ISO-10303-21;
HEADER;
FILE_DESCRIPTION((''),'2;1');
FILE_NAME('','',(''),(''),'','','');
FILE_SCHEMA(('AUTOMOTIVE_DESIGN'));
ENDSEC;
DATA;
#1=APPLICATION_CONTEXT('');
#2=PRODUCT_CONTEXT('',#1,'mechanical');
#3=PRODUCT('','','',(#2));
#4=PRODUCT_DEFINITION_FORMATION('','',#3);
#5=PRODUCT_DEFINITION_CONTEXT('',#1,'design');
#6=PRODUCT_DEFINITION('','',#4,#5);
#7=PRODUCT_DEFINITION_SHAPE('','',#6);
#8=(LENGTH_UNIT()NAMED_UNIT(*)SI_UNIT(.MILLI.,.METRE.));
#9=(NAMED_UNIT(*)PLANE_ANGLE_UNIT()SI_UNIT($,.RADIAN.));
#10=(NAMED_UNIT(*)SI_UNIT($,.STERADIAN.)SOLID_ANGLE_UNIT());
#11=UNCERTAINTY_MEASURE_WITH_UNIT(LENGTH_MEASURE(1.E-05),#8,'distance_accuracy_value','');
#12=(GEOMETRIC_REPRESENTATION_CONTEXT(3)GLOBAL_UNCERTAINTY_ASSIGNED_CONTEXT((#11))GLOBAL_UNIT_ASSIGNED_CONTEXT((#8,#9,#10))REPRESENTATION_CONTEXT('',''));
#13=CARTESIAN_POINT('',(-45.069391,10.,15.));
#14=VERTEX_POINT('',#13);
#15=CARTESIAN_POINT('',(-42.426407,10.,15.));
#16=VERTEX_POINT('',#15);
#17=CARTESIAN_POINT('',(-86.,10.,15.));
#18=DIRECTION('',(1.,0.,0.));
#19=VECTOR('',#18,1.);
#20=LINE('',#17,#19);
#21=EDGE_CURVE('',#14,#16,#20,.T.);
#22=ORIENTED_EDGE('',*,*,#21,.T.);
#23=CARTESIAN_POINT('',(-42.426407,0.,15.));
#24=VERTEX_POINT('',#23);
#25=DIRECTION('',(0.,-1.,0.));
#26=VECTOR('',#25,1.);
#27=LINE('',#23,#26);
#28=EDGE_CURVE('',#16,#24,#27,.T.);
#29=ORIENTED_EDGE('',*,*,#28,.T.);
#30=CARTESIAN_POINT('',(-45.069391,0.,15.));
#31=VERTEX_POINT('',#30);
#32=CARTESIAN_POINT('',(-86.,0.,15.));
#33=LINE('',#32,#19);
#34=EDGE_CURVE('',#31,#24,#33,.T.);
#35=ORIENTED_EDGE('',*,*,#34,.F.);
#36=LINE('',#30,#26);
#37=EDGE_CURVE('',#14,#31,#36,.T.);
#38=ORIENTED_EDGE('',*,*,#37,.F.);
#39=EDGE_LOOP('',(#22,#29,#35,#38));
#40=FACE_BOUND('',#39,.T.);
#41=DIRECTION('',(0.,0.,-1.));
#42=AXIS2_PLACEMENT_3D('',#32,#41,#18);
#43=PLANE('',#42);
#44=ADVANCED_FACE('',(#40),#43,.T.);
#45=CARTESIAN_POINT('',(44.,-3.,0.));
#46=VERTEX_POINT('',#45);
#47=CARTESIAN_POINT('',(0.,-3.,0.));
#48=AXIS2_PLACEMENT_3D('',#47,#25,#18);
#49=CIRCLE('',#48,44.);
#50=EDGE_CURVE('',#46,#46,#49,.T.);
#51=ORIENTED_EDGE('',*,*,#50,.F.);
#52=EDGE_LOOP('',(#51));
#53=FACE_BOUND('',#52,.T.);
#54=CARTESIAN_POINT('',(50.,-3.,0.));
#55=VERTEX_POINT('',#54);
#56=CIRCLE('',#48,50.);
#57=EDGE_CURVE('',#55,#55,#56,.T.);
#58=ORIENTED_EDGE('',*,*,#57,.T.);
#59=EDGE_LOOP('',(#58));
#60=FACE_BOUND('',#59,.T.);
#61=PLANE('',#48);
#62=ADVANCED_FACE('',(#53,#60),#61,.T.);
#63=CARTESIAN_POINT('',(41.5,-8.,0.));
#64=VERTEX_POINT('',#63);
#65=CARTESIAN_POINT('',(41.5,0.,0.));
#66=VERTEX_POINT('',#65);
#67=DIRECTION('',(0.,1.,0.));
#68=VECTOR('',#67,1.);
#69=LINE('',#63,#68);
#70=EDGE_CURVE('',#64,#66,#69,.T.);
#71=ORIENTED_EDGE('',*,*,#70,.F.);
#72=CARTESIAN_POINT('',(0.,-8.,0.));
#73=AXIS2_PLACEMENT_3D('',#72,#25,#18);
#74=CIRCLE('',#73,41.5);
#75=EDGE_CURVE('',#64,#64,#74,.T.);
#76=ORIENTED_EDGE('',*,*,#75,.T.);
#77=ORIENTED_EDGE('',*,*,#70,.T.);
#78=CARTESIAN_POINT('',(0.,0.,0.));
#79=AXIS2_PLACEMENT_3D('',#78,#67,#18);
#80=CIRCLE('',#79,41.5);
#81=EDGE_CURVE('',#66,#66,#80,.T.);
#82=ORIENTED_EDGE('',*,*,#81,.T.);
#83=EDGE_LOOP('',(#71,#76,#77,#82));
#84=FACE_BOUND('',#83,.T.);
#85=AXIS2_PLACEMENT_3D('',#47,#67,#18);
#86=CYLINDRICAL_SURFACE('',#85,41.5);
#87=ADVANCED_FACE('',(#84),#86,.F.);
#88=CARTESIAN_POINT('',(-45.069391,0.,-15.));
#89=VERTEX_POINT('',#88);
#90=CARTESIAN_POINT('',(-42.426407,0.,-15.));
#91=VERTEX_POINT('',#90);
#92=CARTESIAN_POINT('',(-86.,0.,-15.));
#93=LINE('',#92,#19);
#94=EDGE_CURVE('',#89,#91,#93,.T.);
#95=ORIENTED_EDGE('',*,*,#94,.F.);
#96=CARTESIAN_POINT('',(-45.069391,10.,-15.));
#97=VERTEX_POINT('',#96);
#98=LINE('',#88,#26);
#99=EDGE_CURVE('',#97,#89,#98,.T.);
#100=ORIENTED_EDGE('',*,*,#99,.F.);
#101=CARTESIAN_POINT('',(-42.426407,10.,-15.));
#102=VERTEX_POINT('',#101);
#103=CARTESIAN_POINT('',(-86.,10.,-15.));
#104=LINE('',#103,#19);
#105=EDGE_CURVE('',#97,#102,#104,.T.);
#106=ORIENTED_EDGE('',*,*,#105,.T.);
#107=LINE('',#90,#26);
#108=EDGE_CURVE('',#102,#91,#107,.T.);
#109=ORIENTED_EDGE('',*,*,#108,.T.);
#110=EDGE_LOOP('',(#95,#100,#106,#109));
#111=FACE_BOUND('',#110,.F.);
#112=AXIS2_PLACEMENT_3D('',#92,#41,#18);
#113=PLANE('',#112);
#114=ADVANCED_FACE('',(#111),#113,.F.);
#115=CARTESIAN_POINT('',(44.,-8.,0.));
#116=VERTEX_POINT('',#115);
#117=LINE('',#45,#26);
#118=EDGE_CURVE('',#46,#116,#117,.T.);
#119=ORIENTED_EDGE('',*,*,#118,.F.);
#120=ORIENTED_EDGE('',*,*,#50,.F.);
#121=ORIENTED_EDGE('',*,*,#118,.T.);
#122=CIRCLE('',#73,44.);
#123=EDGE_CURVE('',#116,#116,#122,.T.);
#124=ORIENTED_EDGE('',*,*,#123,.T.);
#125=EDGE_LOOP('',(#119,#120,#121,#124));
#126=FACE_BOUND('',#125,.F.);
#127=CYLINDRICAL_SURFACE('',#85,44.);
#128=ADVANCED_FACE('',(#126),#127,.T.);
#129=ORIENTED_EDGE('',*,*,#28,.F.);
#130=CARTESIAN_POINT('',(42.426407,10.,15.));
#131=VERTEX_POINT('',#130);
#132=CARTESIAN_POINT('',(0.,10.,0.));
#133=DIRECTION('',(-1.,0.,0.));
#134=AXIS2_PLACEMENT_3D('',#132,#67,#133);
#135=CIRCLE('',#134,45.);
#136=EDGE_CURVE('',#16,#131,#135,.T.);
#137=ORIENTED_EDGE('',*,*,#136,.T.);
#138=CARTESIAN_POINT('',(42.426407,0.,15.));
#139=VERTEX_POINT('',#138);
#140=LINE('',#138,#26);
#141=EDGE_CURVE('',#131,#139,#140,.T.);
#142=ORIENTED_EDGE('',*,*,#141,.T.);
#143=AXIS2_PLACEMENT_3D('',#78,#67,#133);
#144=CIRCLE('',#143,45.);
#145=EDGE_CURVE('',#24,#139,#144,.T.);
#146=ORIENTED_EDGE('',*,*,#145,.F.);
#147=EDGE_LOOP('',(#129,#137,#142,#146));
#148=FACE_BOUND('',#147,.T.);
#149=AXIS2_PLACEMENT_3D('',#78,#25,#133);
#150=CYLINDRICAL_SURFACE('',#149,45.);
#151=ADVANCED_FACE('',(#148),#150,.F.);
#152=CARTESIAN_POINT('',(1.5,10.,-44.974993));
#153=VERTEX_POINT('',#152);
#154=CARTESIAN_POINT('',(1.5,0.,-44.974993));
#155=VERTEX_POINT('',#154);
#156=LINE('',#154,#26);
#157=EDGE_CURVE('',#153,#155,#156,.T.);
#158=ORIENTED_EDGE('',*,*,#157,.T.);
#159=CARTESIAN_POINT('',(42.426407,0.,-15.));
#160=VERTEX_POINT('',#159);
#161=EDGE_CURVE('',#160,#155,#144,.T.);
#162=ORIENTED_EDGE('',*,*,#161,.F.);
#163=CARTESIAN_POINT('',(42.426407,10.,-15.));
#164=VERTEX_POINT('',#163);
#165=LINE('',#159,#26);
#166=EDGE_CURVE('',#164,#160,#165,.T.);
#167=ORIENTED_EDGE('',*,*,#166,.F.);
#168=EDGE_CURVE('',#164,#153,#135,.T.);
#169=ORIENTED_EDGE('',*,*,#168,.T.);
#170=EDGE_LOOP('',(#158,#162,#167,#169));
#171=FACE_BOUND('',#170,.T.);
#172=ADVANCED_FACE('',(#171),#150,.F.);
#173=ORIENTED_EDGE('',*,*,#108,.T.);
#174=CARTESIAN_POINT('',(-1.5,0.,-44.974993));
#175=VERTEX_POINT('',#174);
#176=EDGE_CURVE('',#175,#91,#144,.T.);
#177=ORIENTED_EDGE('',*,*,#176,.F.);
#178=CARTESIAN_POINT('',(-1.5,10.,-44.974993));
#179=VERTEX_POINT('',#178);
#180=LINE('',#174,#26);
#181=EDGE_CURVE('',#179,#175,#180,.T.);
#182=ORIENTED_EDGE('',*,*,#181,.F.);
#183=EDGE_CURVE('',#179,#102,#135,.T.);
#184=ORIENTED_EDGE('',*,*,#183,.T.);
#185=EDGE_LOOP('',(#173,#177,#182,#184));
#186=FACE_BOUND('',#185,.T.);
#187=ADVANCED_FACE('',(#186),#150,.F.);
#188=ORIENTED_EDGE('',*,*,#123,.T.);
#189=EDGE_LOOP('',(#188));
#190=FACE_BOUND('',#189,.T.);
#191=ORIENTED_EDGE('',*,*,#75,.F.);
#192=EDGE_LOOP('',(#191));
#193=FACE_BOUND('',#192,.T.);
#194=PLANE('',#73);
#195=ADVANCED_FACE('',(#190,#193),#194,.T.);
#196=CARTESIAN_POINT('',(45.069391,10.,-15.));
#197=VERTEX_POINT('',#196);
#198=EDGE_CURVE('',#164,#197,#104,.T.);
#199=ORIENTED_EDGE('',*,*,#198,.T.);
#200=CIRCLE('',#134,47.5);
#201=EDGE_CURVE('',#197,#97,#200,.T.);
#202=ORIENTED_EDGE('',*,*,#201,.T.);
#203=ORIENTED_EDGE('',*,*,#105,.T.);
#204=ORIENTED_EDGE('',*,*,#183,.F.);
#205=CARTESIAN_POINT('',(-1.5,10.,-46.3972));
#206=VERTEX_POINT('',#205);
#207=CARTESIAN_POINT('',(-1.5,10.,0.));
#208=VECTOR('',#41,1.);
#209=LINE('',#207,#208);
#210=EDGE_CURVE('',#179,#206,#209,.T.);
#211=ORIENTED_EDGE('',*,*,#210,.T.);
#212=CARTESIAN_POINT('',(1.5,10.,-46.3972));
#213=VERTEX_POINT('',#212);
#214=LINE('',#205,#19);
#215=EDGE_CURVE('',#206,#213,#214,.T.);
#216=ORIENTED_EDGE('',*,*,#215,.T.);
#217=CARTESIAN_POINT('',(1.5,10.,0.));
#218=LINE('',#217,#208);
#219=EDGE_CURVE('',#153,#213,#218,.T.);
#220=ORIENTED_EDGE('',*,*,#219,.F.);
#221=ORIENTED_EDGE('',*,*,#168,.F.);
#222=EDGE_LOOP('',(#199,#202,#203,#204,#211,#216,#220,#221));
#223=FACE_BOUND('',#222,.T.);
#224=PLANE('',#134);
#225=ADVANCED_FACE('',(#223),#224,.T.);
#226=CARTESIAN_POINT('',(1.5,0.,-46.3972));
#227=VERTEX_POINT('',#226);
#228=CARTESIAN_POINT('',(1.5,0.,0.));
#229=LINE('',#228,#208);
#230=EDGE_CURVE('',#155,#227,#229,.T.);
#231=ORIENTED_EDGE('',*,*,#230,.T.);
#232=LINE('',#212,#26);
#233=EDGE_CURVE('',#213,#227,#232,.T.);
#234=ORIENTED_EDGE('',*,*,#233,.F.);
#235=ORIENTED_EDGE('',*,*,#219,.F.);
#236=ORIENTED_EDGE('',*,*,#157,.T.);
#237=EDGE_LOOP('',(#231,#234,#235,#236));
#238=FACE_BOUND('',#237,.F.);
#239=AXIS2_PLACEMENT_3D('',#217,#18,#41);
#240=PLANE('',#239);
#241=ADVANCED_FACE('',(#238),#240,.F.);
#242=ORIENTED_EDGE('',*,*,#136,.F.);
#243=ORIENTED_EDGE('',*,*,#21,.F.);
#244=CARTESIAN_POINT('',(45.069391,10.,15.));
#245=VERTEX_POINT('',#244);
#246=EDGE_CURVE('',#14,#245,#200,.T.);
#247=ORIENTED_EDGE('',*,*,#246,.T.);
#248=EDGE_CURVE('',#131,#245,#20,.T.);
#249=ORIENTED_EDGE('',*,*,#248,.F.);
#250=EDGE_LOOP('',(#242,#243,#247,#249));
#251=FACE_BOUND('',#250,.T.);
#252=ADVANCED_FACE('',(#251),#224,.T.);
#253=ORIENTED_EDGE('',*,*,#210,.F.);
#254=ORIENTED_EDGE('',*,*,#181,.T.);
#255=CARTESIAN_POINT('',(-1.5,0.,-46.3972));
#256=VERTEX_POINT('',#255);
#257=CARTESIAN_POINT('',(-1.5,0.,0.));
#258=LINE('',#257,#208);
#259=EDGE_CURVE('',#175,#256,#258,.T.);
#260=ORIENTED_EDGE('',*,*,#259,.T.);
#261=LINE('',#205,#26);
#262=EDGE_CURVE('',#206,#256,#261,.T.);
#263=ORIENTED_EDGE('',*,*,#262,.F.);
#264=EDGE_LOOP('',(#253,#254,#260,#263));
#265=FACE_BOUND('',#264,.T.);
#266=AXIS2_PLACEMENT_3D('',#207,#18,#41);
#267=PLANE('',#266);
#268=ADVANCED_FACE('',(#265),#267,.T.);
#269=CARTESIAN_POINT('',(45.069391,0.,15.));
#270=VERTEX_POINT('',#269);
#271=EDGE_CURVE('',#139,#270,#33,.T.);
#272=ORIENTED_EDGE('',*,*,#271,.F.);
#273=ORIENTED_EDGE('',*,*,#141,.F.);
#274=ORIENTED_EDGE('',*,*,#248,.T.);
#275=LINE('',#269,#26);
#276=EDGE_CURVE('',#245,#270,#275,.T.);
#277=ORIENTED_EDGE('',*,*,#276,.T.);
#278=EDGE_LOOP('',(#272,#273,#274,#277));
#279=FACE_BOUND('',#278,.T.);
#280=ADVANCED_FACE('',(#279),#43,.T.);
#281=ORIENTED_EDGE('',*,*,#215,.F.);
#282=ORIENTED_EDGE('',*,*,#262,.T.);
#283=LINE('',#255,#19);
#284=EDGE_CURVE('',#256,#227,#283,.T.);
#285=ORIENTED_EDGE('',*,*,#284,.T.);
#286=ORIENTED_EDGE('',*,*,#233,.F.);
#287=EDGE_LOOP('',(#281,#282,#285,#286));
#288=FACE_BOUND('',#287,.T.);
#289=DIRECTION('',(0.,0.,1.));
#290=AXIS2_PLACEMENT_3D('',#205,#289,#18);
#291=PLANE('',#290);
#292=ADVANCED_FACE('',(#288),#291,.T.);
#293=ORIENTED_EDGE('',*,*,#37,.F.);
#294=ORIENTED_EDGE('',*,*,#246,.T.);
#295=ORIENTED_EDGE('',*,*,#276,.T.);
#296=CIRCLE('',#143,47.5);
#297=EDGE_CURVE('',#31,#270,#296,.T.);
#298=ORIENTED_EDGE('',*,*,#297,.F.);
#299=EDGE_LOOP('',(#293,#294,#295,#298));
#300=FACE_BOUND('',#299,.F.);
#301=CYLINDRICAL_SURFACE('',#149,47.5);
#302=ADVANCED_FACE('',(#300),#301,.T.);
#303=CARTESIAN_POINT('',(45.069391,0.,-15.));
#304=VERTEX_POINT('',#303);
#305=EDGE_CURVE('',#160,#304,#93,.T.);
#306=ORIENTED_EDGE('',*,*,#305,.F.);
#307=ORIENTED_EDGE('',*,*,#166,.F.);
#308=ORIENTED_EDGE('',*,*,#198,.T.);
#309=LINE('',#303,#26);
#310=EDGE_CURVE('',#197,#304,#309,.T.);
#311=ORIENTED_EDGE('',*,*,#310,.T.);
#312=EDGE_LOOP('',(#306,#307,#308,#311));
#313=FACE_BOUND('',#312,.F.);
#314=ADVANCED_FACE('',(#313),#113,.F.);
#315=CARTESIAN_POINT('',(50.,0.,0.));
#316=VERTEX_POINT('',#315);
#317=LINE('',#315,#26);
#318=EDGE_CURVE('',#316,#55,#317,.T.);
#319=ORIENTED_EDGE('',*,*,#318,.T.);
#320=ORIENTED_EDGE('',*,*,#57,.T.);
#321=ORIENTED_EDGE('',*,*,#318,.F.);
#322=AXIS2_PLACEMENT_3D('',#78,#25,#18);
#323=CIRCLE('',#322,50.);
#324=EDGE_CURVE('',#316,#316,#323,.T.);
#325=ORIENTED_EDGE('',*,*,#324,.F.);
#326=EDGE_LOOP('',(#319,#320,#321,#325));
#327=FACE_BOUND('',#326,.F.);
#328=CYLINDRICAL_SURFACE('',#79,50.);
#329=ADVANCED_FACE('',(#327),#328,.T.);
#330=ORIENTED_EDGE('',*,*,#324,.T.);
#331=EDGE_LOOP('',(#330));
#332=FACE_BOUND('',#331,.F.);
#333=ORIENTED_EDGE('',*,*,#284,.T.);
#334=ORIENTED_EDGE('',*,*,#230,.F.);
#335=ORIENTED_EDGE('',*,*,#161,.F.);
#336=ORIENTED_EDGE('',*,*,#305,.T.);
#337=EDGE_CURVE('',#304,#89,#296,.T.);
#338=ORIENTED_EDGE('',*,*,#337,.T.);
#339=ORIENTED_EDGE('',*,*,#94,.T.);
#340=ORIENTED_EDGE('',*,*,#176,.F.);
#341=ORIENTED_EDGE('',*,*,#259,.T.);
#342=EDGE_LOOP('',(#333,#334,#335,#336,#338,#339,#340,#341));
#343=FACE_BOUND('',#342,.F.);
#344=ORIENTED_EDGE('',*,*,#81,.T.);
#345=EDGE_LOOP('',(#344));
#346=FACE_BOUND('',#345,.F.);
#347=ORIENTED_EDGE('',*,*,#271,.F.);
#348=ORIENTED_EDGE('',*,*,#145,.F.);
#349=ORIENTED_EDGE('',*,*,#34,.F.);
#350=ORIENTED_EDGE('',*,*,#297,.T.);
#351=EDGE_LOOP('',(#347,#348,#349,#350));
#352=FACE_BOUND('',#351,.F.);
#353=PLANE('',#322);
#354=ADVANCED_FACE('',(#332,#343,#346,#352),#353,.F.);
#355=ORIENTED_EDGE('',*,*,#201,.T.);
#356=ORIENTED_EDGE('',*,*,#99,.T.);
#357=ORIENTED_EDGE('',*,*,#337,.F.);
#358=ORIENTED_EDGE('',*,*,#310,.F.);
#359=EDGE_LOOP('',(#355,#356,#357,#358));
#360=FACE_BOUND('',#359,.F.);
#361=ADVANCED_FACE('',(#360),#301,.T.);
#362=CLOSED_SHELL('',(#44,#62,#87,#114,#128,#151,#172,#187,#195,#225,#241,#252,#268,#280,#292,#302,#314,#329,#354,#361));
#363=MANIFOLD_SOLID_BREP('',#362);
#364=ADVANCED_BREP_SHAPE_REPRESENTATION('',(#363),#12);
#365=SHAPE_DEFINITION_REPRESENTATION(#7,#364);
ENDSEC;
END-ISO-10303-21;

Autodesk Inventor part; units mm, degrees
ref_plane "YZ Plane" through (0, 0, 0) normal (1, 0, 0) x (0, 1, 0)
ref_plane "XZ Plane" through (0, 0, 0) normal (0, 1, 0) x (-1, 0, 0)
ref_plane "XY Plane" through (0, 0, 0) normal (0, 0, 1) x (1, 0, 0)
sketch "Skizze1" plane through (0, 0, 0) normal (0, 1, 0) x (-1, 0, 0)
  circle A0 centre (0, 0) radius 45
  circle A1 centre (0, 0) radius 47.5
  dimension "d0" = 90
  dimension "d1" = 95
extrude "Extrusion1" add sketch "Skizze1" along normal blind 10
sketch "Skizze2" plane through (0, 0, 0) normal (0, -1, 0) x (1, 0, 0)
  circle A0 centre (0, 0) radius 41.5
  circle A1 centre (0, 0) radius 50
  dimension "d4" = 83
  dimension "d5" = 100
extrude "Extrusion2" add sketch "Skizze2" along normal blind 3
sketch "Skizze3" plane through (0, -3, 0) normal (0, -1, 0) x (1, 0, 0)
  circle A0 centre (0, 0) radius 41.5
  circle A1 centre (0, 0) radius 44
  dimension "d8" = 83
  dimension "d9" = 88
extrude "Extrusion3" add sketch "Skizze3" along normal blind 5
sketch "Skizze4" plane through (0, 0, 0) normal (0, 1, 0) x (1, 0, 0)
  line L0 (-86, 0) -> (65, 0) construction
  line L1 (-86, 15) -> (65, 15)
  line L2 (-86, -15) -> (65, -15)
  line L3 (-86, 15) -> (-86, -15)
  line L4 (65, -15) -> (65, 15)
  point P0 (0, 0)
  dimension "d12" = 15
  dimension "d13" = 15
extrude "Extrusion4" cut sketch "Skizze4" along normal up to surface (10 mm away)
sketch "Skizze5" plane through (0, 10, 0) normal (0, 1, 0) x (1, 0, 0)
  line L0 (0, 0) -> (0, 69) construction
  line L1 (-1.5, 0) -> (-1.5, 46.3972)
  line L2 (1.5, 0) -> (1.5, 46.3972)
  line L3 (-1.5, 0) -> (1.5, 0)
  line L4 (-1.5, 46.3972) -> (1.5, 46.3972)
  dimension "d16" = 1.5
extrude "Extrusion5" cut sketch "Skizze5" against normal up to surface (10 mm away)
properties part number "Teesiebhalter"
